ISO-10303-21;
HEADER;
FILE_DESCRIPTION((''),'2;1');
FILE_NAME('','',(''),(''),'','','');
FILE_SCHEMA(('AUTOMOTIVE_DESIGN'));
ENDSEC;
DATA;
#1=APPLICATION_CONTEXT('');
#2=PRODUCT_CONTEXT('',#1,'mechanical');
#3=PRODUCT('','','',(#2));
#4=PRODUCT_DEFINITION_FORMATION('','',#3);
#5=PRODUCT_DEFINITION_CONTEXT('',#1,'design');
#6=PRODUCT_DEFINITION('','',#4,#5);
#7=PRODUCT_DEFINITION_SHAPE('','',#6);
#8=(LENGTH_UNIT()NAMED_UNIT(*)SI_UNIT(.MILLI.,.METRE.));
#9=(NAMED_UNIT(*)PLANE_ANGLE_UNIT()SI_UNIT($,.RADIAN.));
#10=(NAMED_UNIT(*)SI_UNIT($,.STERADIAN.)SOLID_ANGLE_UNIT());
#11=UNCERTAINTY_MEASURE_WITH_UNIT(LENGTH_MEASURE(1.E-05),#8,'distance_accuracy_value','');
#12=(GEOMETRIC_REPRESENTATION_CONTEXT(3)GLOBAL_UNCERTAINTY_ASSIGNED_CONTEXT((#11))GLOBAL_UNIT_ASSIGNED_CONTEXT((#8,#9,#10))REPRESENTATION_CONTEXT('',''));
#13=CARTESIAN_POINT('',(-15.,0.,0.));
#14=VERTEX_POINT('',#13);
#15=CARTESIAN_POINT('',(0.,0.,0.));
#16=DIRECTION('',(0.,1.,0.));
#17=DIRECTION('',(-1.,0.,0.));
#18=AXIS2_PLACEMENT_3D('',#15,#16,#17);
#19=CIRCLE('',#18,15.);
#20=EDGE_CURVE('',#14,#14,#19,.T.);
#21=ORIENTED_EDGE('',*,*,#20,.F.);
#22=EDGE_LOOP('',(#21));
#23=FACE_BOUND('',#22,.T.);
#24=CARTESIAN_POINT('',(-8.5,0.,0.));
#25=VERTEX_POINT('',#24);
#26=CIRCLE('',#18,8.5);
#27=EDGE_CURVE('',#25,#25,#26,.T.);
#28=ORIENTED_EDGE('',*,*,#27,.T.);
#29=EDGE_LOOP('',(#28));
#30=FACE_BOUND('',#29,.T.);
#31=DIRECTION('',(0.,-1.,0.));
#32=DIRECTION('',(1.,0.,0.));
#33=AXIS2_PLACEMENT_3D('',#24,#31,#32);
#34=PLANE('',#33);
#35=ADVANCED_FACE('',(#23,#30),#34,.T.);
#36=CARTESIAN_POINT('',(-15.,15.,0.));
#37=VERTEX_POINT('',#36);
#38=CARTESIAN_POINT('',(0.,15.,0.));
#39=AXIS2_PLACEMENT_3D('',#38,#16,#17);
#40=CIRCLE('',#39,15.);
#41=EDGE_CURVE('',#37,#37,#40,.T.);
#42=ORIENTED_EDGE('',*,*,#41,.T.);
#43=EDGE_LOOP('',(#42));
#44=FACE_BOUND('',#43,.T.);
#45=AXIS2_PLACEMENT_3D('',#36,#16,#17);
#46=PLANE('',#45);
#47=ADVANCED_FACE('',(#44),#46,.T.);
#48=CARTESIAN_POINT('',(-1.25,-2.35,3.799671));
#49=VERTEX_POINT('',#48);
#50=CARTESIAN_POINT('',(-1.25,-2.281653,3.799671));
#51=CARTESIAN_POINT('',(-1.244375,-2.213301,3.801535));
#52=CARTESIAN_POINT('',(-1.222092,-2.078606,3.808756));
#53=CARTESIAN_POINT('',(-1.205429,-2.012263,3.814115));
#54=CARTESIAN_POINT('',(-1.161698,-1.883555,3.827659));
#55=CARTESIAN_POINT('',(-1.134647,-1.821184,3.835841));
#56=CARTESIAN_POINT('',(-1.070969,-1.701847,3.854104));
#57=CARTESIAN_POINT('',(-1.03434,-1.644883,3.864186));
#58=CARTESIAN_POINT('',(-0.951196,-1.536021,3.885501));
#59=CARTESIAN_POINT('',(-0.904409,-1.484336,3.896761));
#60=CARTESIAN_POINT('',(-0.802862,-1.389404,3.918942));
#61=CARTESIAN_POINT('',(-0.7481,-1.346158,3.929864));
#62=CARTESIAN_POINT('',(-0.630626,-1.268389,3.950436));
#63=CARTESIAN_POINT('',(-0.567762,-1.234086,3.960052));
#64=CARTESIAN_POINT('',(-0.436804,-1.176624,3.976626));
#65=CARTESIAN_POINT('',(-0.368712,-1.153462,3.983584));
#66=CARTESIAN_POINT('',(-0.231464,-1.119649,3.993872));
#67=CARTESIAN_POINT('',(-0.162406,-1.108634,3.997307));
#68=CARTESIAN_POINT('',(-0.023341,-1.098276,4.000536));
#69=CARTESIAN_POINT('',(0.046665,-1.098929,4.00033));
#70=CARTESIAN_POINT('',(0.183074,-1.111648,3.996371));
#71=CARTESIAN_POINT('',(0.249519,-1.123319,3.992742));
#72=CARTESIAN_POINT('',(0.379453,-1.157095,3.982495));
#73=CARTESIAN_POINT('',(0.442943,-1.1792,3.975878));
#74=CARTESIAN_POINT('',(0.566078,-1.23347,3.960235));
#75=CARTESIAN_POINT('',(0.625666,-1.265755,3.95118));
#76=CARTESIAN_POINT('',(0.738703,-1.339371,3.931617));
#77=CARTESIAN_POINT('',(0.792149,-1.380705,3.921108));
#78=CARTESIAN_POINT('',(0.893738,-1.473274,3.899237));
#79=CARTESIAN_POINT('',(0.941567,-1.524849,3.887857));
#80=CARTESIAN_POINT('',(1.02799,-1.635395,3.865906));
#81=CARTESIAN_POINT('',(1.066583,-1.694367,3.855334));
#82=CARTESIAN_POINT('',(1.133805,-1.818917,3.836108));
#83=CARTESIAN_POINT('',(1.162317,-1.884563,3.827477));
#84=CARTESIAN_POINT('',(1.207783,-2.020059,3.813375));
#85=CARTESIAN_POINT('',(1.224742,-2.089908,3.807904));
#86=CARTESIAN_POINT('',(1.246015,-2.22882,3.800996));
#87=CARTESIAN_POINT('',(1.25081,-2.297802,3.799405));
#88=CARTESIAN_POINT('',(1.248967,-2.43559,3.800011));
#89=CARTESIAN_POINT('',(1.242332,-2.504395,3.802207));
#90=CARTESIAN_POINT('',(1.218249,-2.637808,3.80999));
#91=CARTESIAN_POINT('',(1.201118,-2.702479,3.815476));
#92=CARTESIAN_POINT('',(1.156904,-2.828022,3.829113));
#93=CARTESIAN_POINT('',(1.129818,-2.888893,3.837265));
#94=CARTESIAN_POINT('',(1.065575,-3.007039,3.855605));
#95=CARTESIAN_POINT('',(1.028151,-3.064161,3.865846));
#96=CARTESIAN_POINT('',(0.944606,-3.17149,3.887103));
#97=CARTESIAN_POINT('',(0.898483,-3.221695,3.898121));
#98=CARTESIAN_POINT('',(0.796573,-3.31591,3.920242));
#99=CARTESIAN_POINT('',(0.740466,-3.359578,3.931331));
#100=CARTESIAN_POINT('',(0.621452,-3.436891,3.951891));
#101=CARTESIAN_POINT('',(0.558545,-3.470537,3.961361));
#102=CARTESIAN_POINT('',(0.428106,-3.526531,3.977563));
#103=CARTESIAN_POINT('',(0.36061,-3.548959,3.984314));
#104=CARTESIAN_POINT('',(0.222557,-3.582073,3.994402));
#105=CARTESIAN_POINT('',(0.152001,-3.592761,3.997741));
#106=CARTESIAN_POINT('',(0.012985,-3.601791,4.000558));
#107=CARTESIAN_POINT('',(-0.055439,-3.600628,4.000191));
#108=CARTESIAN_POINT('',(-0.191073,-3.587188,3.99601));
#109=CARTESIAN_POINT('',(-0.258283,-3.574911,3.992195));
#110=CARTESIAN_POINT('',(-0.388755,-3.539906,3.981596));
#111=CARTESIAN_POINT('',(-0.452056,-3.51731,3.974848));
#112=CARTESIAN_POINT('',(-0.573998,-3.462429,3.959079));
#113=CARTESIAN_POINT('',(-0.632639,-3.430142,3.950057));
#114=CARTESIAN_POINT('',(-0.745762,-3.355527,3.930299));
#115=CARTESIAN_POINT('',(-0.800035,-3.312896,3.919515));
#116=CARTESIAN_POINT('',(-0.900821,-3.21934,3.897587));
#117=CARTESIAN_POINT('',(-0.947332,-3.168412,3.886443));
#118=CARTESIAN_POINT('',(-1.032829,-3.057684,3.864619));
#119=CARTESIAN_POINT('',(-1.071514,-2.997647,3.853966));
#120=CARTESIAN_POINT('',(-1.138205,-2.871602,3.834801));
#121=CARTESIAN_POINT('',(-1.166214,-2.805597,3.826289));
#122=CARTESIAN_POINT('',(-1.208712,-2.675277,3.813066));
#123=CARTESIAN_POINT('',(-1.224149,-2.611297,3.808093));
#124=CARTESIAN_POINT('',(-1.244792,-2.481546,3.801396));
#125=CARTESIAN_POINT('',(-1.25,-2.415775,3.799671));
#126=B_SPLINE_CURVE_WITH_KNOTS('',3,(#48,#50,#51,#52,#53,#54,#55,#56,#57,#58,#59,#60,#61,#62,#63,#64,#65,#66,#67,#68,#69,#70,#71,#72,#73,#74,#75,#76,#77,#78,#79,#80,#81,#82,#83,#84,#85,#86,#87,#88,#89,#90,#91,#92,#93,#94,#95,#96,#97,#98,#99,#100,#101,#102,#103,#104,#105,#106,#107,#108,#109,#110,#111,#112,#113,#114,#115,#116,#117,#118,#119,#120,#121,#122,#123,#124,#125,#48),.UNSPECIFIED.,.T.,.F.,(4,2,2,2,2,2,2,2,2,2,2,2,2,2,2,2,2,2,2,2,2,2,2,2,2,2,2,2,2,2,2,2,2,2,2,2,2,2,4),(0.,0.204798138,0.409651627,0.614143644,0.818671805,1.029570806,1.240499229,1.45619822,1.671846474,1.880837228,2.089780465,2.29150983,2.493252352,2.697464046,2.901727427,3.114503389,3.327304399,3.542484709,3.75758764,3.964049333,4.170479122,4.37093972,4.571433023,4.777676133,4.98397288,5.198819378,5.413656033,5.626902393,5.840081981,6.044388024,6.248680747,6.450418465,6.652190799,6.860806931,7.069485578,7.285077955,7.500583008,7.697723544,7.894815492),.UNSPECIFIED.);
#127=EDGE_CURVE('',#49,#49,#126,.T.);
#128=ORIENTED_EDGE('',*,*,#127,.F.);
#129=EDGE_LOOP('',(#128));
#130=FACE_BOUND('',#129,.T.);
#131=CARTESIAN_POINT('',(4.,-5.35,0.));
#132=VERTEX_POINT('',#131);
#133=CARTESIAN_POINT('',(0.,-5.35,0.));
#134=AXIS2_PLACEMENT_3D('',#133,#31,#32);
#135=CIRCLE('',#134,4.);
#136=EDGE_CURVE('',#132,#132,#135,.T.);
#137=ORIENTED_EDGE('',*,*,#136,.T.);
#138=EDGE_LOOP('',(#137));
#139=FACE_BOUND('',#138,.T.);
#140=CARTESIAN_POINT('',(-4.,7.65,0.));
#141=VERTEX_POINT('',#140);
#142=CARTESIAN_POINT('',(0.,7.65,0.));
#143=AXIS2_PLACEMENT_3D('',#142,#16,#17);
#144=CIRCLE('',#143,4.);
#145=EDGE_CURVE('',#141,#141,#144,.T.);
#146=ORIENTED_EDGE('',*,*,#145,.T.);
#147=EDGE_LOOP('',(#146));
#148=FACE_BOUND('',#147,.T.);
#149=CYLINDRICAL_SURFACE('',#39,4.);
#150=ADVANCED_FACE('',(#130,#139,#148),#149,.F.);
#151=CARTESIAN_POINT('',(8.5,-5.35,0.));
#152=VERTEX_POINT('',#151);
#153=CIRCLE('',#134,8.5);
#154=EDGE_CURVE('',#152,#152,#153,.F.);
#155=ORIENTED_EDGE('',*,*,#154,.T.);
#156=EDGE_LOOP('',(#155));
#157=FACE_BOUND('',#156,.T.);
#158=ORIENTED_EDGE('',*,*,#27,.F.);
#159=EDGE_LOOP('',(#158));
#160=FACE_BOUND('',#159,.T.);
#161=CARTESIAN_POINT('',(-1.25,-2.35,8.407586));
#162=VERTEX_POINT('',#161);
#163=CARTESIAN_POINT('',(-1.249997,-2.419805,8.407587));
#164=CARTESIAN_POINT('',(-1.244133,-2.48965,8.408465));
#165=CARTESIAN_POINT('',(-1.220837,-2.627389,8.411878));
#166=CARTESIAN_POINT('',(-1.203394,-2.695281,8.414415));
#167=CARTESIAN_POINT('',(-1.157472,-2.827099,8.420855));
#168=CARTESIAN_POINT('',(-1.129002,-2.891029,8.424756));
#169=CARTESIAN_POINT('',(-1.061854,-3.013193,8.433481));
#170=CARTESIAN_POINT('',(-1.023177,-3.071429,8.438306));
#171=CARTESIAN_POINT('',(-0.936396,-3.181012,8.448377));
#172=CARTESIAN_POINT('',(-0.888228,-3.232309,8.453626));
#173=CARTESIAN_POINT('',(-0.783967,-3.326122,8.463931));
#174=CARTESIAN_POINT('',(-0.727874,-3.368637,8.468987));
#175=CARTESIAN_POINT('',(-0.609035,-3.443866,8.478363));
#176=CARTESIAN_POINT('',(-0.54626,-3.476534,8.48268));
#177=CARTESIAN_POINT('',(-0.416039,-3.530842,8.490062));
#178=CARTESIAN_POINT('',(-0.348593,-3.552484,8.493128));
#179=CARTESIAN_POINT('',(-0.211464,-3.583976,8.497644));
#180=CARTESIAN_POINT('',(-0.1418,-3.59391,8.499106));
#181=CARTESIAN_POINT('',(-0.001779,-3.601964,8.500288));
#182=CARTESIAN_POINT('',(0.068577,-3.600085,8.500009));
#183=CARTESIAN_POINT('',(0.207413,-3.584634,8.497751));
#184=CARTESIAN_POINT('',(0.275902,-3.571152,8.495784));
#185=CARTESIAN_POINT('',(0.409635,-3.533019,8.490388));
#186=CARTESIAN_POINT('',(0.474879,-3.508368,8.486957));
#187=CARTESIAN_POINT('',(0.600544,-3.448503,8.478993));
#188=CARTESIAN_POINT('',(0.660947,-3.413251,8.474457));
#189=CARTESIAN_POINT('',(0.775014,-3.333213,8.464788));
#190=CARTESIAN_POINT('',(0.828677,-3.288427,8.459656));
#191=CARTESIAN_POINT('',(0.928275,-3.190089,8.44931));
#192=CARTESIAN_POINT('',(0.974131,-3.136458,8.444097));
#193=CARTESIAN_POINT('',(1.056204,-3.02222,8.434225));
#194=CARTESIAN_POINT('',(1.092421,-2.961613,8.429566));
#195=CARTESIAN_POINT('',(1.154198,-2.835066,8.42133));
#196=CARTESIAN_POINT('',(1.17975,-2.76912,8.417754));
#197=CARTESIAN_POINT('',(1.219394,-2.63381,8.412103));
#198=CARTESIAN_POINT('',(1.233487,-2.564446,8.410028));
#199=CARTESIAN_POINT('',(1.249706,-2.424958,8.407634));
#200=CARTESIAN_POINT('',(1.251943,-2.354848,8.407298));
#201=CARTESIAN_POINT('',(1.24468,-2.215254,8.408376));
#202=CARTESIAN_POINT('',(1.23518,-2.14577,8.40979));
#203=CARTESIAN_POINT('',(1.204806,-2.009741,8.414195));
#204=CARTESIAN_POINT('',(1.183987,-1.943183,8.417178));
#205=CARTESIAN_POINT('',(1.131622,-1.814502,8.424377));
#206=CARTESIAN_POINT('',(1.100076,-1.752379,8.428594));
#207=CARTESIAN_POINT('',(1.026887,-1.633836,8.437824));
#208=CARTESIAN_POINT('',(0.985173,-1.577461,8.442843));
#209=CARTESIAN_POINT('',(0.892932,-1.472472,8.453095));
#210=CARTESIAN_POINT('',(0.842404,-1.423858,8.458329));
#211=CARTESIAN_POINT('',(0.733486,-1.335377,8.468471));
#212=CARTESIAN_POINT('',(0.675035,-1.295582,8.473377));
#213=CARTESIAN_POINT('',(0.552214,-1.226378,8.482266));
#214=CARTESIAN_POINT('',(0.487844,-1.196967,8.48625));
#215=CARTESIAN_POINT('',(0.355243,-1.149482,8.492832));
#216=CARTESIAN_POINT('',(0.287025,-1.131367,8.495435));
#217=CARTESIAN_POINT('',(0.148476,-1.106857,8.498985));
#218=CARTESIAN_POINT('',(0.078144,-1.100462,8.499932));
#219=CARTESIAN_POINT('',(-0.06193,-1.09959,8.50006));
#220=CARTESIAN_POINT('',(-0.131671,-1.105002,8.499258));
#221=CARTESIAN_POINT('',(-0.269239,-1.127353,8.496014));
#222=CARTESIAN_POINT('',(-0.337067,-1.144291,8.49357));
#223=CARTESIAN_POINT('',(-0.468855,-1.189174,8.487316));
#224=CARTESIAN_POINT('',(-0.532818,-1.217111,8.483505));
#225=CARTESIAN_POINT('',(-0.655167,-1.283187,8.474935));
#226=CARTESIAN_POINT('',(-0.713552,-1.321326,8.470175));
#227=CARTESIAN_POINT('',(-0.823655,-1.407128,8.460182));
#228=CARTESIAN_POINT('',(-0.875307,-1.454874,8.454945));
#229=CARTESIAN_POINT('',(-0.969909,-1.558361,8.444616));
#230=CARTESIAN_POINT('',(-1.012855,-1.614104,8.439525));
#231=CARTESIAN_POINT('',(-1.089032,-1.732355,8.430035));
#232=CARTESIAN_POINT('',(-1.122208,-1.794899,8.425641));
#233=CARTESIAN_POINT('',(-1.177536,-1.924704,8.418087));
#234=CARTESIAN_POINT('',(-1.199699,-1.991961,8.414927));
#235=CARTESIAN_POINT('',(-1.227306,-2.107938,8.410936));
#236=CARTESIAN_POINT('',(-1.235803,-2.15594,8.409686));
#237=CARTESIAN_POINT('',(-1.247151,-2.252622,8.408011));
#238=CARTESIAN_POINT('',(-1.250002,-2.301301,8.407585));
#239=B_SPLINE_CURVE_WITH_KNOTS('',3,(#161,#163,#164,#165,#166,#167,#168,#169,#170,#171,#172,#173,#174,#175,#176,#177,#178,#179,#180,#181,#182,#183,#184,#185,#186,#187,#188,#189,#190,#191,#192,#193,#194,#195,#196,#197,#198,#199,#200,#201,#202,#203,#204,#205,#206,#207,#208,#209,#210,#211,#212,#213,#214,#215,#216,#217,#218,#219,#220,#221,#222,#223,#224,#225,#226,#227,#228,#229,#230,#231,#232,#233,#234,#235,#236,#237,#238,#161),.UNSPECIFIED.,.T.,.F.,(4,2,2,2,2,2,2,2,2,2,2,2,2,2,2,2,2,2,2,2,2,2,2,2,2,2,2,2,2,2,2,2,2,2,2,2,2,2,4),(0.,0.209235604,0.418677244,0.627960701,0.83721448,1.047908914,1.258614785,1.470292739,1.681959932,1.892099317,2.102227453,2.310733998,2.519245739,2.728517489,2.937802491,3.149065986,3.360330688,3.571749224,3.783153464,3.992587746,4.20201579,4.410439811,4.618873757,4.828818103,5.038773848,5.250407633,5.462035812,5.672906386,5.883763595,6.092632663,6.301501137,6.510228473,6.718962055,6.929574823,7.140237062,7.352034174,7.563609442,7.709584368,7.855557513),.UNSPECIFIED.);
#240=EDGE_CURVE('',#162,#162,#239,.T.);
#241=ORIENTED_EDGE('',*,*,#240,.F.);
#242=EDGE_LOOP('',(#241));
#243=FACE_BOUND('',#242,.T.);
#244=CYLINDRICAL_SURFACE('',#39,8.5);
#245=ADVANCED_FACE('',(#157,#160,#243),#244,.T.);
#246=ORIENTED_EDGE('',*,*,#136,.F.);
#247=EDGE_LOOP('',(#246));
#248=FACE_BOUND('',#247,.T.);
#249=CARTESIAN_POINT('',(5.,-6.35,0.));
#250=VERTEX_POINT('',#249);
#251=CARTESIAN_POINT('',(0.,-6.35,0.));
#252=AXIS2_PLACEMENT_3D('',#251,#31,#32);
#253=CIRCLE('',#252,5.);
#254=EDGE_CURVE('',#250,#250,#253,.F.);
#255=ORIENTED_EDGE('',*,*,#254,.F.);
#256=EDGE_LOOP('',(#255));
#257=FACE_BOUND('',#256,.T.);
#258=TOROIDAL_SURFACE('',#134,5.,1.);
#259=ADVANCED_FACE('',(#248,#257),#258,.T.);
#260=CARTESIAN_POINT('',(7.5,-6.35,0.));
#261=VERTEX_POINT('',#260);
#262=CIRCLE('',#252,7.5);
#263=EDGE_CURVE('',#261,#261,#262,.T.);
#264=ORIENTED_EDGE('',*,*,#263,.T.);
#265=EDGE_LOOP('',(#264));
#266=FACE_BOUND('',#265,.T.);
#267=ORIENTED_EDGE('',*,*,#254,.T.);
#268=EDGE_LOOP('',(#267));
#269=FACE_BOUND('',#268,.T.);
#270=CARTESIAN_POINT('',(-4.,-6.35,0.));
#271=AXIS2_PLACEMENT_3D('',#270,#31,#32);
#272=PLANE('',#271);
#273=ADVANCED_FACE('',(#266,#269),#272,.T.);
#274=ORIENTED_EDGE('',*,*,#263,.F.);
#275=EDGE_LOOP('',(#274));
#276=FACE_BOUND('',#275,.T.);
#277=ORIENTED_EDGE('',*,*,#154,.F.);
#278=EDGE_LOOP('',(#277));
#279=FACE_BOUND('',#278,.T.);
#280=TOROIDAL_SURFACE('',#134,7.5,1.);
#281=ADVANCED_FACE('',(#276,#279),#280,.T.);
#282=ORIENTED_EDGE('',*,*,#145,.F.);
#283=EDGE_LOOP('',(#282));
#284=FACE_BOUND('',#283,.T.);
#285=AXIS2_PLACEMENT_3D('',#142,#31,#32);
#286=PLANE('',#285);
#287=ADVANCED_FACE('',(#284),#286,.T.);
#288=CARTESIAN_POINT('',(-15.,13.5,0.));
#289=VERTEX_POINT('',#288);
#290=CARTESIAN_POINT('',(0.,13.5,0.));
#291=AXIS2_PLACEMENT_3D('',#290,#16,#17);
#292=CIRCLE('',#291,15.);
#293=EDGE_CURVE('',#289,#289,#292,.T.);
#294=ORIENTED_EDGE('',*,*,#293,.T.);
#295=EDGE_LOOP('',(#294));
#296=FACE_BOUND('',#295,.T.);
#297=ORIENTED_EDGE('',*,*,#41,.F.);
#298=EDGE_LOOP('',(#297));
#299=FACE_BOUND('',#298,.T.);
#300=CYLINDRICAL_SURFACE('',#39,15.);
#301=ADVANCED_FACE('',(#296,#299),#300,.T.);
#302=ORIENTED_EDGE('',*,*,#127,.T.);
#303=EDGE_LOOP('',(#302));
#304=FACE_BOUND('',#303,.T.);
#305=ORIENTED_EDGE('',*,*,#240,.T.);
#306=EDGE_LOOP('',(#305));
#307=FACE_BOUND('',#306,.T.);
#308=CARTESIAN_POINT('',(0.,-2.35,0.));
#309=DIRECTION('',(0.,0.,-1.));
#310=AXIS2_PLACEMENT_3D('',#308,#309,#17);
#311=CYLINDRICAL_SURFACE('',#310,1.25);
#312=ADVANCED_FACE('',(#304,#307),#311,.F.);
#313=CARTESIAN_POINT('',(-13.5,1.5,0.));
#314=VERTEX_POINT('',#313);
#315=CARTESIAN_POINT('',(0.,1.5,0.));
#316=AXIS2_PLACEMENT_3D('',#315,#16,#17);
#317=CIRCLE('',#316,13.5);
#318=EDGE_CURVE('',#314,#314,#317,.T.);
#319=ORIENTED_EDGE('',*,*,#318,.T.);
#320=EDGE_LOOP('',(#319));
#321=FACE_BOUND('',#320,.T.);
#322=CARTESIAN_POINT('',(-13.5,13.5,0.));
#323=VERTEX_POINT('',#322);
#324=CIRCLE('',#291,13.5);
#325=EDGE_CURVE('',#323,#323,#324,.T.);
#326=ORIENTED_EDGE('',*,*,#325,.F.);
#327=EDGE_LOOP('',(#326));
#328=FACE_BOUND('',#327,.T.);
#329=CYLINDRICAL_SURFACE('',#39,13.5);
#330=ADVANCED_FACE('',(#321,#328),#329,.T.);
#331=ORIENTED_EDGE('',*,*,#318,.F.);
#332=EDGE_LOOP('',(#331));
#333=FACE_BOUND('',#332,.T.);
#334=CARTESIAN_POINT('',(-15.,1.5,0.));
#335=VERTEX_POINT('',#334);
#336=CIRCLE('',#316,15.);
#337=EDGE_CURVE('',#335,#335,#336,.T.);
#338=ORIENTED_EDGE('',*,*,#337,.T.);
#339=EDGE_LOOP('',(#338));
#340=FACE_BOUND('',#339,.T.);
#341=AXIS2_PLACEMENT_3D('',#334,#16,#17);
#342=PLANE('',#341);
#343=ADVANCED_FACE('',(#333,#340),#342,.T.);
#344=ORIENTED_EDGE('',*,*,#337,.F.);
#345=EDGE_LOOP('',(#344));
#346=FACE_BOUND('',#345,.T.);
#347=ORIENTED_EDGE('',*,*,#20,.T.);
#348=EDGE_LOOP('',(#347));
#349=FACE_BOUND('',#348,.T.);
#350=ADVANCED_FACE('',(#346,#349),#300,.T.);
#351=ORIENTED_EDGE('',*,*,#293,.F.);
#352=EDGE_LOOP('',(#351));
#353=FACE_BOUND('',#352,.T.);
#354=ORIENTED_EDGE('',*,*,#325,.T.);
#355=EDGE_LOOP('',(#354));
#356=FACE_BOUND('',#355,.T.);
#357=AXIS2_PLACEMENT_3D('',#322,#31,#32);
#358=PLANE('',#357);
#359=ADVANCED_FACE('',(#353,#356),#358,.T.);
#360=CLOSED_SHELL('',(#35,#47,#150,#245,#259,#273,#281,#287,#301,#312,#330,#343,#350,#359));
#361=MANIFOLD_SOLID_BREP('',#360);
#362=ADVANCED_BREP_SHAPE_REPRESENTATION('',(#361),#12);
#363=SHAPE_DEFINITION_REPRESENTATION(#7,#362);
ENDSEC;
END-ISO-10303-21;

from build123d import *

# Parameters (mm, degrees)
FILLET1_R = 1
SKETCH3_W = 1.25
SKETCH3_H = 8.5


with BuildPart() as part:
    # Sketch1 → Revolve1 (revolve)
    with BuildSketch(Plane.XY):
        Polygon((-8.5, -6.35), (-8.5, 0), (-15, 0), (-15, 1.5), (-13.5, 1.5), (-13.5, 13.5), (-15, 13.5), (-15, 15), (0, 15), (0, 7.65), (-4, 7.65), (-4, -6.35), align=None)
    revolve(axis=Axis((0, 15, 0), (0, -1, 0)))

    # Fillet1
    fillet1_edges = [part.edges().sort_by_distance(p)[0] for p in [
        (8.5, -6.35, 0),
        (4, -6.35, 0),
    ]]
    fillet(fillet1_edges, radius=FILLET1_R)

    # Sketch3 → M3x0.5 Tapped Hole1 (revolve, cut)
    with BuildSketch(Plane(origin=(0, -2.35, 0), x_dir=(0, 1, 0), z_dir=(1, 0, 0))):
        with Locations((0.625, 4.25)):
            Rectangle(SKETCH3_W, SKETCH3_H)
    revolve(axis=Axis((0, -2.35, -6.35), (0, 0, 1)), mode=Mode.SUBTRACT)


solid = part.part
